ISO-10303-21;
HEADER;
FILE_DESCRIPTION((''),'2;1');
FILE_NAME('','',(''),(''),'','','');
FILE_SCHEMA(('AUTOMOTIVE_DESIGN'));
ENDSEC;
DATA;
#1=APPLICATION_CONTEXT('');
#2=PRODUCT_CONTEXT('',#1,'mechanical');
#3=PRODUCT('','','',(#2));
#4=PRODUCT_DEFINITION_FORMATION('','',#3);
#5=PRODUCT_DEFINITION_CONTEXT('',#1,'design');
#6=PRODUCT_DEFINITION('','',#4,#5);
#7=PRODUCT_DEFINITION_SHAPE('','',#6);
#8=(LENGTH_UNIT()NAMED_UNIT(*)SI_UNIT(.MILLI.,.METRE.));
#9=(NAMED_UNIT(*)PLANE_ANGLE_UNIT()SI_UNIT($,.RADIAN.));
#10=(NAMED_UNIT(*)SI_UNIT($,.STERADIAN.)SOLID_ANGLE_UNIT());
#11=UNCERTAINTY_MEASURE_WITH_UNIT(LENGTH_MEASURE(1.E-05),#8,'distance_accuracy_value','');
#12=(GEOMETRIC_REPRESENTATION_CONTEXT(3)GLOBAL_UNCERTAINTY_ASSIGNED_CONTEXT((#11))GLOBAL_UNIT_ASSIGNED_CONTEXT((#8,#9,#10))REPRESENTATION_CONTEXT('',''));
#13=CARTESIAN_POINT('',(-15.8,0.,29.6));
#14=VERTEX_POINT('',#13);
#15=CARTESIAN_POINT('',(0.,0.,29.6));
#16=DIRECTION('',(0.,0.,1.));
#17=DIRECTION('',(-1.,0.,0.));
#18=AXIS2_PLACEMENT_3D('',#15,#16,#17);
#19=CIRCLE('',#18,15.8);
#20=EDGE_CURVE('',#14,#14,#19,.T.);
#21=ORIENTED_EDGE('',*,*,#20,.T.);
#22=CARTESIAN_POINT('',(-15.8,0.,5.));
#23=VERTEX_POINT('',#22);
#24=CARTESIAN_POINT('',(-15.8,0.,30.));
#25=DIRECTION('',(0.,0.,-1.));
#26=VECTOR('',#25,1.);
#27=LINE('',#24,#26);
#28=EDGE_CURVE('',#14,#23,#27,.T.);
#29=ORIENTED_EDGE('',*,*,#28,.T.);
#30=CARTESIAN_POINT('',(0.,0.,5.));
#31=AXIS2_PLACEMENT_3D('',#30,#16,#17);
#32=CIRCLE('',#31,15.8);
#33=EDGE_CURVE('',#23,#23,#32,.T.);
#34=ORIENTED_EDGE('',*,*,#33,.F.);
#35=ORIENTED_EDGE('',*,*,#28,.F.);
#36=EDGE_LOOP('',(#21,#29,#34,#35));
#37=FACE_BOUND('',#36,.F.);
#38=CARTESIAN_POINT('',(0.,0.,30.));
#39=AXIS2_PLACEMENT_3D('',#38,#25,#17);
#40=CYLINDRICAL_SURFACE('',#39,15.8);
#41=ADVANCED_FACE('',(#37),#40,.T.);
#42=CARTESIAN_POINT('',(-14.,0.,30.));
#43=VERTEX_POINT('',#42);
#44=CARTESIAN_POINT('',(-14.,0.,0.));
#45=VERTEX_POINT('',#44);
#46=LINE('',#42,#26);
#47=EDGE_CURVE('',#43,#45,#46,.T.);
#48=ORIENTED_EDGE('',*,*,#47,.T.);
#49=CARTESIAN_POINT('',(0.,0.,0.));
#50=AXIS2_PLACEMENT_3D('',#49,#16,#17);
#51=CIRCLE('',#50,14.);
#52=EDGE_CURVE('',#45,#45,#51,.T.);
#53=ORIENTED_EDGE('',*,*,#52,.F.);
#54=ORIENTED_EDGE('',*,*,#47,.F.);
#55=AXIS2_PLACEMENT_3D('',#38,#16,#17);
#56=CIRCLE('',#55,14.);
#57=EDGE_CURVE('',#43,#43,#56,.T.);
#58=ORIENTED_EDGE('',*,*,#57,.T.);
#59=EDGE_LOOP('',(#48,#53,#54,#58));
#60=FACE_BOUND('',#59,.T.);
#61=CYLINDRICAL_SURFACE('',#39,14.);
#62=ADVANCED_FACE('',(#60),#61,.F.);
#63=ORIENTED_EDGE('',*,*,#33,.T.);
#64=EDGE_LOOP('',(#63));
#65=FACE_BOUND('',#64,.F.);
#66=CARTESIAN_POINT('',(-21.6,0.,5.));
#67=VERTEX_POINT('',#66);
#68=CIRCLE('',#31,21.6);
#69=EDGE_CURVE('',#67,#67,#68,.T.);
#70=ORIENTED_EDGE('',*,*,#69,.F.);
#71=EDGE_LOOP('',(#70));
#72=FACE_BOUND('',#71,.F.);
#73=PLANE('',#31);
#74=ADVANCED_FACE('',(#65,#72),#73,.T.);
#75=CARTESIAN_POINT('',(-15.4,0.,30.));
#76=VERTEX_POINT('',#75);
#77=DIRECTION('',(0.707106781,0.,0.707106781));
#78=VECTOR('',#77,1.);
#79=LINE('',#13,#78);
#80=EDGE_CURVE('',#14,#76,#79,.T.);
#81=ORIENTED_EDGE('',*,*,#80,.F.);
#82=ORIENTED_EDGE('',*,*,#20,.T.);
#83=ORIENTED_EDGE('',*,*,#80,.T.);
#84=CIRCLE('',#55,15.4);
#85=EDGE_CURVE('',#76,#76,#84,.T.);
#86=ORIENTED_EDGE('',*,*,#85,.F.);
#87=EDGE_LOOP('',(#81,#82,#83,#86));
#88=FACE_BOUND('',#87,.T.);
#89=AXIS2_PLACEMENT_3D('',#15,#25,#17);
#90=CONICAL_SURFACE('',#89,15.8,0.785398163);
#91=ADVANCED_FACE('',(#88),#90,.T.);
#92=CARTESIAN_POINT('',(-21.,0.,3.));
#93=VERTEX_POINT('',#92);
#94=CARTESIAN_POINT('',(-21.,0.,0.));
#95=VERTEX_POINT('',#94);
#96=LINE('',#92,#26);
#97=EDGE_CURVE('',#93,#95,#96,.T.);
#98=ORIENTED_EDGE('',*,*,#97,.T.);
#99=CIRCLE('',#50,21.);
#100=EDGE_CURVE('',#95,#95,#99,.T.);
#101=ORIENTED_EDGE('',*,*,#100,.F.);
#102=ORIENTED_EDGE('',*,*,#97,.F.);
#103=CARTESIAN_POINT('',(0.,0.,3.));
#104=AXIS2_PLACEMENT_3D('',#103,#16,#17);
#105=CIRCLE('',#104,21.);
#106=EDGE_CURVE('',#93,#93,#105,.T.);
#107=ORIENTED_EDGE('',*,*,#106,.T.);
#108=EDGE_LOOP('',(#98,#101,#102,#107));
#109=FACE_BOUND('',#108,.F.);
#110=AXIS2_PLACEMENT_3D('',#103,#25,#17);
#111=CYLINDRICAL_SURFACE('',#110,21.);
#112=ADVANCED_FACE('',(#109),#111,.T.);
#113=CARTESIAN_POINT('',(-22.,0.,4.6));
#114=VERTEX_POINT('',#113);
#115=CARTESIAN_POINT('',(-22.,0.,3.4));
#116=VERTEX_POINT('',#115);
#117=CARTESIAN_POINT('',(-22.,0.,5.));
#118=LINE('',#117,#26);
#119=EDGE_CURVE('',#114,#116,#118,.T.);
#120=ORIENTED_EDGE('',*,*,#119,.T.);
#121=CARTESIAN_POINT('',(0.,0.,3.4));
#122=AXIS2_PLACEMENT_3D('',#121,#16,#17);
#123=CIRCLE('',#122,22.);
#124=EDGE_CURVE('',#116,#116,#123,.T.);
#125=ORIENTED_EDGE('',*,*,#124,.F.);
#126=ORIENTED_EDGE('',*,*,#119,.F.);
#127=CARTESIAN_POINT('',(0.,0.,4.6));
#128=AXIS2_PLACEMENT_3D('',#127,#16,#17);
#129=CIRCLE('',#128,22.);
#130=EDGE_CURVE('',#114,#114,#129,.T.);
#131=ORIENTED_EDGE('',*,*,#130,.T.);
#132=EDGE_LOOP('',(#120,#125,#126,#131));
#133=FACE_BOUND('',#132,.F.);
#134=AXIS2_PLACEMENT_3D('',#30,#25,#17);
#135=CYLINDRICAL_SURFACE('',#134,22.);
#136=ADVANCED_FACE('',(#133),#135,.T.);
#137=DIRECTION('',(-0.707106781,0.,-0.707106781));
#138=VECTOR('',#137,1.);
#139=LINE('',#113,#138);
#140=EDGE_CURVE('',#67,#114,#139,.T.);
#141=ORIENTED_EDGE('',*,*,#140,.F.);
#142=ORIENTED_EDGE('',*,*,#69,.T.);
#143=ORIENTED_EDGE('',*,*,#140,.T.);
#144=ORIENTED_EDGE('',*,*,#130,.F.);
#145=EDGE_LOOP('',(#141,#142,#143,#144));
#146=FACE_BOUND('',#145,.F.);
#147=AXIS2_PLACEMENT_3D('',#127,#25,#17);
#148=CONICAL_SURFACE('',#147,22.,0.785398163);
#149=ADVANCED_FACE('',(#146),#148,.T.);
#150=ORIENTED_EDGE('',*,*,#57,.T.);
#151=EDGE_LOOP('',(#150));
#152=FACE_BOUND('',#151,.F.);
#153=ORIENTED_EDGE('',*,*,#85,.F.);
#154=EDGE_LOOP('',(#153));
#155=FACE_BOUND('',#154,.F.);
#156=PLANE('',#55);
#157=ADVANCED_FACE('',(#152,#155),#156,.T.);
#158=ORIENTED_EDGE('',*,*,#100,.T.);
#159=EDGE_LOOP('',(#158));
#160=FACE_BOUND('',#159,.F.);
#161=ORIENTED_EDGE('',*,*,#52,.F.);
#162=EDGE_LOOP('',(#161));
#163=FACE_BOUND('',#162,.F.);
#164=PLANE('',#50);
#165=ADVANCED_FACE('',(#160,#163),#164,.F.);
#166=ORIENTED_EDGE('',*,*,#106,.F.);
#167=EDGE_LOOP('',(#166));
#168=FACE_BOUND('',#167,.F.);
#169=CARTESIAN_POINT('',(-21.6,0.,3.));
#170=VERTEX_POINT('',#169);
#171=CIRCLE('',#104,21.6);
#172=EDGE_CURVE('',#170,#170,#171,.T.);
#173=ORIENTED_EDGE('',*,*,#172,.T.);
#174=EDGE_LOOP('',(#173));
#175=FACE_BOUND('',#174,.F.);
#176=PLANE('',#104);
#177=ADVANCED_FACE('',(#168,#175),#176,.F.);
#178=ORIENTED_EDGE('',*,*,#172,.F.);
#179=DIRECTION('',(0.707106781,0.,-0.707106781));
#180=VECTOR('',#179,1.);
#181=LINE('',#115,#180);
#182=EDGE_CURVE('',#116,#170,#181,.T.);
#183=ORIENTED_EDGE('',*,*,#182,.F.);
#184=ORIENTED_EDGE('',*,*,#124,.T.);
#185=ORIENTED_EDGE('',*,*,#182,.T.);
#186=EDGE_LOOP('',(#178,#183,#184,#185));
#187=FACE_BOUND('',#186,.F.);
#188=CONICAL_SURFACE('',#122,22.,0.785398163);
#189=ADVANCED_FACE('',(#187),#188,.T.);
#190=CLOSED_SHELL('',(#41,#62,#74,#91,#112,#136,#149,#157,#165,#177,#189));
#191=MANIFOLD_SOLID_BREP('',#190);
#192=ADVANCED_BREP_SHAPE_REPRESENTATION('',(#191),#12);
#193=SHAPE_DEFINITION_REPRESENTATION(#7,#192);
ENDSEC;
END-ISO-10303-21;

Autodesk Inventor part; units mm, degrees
ref_plane "YZ Plane" through (0, 0, 0) normal (1, 0, 0) x (0, 1, 0)
ref_plane "XZ Plane" through (0, 0, 0) normal (0, 1, 0) x (-1, 0, 0)
ref_plane "XY Plane" through (0, 0, 0) normal (0, 0, 1) x (1, 0, 0)
sketch "Sketch1" plane through (0, 0, 0) normal (0, 1, 0) x (-1, 0, 0)
  line L0 (0, 0) -> (0, 30)
  line L1 (15.8, 30) -> (15.8, 5)
  line L2 (15.8, 5) -> (22, 5)
  line L3 (22, 5) -> (22, 3)
  line L4 (22, 3) -> (21, 3)
  line L5 (21, 3) -> (21, 0)
  line L6 (0, 30) -> (14, 30) construction
  line L7 (14, 30) -> (15.8, 30)
  line L8 (21, 0) -> (14, 0)
  line L9 (14, 0) -> (0, 0) construction
  line L10 (14, 30) -> (14, 0)
  dimension "d0" = 28
  dimension "d1" = 31.6
  dimension "d2" = 44
  dimension "d3" = 42
  dimension "d4" = 3
  dimension "d5" = 2
  dimension "d6" = 25
revolve "Revolution1" add sketch "Sketch1" angle 360 about axis through (0, 0, 0) along (0, 0, 1)
chamfer "Chamfer1" distance 0.4 angle 45 3 edges at (15.8, 0, 30) (22, 0, 5) (22, 0, 3)
properties part number "M42-nose-peace" material "Aluminum 6061"
